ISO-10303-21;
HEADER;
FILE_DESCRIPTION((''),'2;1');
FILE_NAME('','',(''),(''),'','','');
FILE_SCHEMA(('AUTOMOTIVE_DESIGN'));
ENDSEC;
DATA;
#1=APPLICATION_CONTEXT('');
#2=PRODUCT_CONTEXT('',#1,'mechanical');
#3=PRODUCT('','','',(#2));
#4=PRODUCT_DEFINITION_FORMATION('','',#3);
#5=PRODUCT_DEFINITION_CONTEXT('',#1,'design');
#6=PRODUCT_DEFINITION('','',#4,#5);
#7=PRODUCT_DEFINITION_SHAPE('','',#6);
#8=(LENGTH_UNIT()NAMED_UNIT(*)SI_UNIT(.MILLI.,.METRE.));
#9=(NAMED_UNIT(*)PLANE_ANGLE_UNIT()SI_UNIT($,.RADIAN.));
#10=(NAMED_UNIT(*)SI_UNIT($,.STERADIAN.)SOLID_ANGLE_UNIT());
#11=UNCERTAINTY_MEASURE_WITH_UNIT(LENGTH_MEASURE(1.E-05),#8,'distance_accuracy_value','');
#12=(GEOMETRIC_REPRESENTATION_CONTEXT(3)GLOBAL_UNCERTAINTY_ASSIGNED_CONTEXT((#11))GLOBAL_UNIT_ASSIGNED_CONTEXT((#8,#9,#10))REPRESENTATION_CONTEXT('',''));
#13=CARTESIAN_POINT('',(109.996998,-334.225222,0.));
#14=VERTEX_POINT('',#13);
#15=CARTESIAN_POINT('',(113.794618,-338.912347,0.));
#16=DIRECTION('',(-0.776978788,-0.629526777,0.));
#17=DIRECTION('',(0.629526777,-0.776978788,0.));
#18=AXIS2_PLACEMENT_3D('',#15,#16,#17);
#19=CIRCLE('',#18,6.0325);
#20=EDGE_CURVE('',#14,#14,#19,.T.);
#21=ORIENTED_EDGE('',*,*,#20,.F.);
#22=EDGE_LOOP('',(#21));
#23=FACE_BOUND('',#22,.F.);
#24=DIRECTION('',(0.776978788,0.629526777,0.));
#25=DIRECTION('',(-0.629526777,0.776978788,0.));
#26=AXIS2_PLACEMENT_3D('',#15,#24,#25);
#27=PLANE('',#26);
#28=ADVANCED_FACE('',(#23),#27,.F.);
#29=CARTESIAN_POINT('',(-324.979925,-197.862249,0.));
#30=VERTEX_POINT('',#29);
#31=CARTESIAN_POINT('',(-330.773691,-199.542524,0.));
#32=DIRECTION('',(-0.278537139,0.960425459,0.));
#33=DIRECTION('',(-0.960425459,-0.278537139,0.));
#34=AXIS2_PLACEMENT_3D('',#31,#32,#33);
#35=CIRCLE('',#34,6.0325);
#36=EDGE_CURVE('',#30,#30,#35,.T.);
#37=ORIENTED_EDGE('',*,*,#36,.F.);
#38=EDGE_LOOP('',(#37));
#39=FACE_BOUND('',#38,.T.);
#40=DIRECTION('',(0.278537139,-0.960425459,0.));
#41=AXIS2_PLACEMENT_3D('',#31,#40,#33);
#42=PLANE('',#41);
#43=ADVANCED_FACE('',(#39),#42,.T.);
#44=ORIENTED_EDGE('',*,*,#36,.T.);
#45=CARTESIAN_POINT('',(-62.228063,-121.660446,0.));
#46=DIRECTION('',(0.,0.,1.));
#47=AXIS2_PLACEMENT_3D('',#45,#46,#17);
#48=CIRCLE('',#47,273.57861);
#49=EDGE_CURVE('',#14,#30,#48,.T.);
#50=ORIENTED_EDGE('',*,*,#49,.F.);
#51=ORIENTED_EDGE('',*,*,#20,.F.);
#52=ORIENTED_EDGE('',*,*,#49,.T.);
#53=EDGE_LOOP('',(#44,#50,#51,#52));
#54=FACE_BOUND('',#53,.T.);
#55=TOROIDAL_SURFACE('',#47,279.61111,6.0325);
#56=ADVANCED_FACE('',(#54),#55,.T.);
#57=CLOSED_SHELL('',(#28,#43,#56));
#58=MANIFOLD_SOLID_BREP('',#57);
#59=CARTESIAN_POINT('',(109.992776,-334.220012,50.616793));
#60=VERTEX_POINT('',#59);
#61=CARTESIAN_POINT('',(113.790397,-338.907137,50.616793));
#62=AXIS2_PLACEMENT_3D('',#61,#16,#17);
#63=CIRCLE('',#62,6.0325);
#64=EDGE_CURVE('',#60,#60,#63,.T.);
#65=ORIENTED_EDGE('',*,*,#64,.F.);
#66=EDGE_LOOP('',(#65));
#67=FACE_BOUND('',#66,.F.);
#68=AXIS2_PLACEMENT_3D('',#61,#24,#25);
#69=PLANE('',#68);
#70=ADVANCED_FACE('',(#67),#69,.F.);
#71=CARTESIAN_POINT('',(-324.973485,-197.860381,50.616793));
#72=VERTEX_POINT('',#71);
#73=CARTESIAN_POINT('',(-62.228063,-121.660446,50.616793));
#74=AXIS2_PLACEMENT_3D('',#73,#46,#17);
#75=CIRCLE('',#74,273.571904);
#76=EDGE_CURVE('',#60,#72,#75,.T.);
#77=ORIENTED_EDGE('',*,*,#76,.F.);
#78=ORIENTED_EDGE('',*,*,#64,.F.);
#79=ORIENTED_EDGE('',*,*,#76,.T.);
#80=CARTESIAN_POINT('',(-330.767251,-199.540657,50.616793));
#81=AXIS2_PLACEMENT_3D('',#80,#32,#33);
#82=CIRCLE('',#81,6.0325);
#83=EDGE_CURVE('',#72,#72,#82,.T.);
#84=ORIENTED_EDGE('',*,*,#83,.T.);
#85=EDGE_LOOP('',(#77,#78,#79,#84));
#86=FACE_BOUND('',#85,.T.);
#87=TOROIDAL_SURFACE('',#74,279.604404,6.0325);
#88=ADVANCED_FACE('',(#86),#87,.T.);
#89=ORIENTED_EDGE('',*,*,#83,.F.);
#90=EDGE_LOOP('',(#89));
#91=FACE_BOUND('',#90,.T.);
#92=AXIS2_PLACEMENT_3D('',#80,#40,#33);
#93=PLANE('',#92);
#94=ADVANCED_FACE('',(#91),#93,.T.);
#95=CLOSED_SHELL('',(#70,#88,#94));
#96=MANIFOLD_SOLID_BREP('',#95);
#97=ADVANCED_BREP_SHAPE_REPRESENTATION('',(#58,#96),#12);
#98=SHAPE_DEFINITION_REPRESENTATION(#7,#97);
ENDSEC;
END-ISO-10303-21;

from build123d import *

# Parameters (mm, degrees)
F4_R = 6.0325
F6_R = 6.0325


with BuildPart() as f5:
    # F5: sweep along a path in F2
    with BuildLine(Plane.XY.offset(50.8)) as f5_path:
        ThreePointArc((113.6617185673, -338.7483189934), (21.3515427578, 144.9456485799), (-330.570936203, -199.4837224483))
    # F4 (on 3pt) → F5 (sweep)
    with BuildSketch(Plane(origin=(27.7180559698, -95.5747828637, 0), x_dir=(0.9604254588, 0.2785371394, 0), z_dir=(0.2785371394, -0.9604254588, 0))):
        with Locations((-373.2567727566, 50.6167933345)):
            Circle(F4_R)
    sweep(path=f5_path.line)


with BuildPart() as f7:
    # F7: sweep along a path in F0
    with BuildLine(Plane.XY) as f7_path:
        ThreePointArc((113.6617185673, -338.7483189934), (21.3515427578, 144.9456485799), (-330.570936203, -199.4837224483))
    # F6 (on 3pt) → F7 (sweep)
    with BuildSketch(Plane(origin=(27.7180559698, -95.5747828637, 0), x_dir=(0.9604254588, 0.2785371394, 0), z_dir=(0.2785371394, -0.9604254588, 0))):
        with Locations((-373.2634782791, 0)):
            Circle(F6_R)
    sweep(path=f7_path.line)


solid = Compound([f5.part, f7.part])
